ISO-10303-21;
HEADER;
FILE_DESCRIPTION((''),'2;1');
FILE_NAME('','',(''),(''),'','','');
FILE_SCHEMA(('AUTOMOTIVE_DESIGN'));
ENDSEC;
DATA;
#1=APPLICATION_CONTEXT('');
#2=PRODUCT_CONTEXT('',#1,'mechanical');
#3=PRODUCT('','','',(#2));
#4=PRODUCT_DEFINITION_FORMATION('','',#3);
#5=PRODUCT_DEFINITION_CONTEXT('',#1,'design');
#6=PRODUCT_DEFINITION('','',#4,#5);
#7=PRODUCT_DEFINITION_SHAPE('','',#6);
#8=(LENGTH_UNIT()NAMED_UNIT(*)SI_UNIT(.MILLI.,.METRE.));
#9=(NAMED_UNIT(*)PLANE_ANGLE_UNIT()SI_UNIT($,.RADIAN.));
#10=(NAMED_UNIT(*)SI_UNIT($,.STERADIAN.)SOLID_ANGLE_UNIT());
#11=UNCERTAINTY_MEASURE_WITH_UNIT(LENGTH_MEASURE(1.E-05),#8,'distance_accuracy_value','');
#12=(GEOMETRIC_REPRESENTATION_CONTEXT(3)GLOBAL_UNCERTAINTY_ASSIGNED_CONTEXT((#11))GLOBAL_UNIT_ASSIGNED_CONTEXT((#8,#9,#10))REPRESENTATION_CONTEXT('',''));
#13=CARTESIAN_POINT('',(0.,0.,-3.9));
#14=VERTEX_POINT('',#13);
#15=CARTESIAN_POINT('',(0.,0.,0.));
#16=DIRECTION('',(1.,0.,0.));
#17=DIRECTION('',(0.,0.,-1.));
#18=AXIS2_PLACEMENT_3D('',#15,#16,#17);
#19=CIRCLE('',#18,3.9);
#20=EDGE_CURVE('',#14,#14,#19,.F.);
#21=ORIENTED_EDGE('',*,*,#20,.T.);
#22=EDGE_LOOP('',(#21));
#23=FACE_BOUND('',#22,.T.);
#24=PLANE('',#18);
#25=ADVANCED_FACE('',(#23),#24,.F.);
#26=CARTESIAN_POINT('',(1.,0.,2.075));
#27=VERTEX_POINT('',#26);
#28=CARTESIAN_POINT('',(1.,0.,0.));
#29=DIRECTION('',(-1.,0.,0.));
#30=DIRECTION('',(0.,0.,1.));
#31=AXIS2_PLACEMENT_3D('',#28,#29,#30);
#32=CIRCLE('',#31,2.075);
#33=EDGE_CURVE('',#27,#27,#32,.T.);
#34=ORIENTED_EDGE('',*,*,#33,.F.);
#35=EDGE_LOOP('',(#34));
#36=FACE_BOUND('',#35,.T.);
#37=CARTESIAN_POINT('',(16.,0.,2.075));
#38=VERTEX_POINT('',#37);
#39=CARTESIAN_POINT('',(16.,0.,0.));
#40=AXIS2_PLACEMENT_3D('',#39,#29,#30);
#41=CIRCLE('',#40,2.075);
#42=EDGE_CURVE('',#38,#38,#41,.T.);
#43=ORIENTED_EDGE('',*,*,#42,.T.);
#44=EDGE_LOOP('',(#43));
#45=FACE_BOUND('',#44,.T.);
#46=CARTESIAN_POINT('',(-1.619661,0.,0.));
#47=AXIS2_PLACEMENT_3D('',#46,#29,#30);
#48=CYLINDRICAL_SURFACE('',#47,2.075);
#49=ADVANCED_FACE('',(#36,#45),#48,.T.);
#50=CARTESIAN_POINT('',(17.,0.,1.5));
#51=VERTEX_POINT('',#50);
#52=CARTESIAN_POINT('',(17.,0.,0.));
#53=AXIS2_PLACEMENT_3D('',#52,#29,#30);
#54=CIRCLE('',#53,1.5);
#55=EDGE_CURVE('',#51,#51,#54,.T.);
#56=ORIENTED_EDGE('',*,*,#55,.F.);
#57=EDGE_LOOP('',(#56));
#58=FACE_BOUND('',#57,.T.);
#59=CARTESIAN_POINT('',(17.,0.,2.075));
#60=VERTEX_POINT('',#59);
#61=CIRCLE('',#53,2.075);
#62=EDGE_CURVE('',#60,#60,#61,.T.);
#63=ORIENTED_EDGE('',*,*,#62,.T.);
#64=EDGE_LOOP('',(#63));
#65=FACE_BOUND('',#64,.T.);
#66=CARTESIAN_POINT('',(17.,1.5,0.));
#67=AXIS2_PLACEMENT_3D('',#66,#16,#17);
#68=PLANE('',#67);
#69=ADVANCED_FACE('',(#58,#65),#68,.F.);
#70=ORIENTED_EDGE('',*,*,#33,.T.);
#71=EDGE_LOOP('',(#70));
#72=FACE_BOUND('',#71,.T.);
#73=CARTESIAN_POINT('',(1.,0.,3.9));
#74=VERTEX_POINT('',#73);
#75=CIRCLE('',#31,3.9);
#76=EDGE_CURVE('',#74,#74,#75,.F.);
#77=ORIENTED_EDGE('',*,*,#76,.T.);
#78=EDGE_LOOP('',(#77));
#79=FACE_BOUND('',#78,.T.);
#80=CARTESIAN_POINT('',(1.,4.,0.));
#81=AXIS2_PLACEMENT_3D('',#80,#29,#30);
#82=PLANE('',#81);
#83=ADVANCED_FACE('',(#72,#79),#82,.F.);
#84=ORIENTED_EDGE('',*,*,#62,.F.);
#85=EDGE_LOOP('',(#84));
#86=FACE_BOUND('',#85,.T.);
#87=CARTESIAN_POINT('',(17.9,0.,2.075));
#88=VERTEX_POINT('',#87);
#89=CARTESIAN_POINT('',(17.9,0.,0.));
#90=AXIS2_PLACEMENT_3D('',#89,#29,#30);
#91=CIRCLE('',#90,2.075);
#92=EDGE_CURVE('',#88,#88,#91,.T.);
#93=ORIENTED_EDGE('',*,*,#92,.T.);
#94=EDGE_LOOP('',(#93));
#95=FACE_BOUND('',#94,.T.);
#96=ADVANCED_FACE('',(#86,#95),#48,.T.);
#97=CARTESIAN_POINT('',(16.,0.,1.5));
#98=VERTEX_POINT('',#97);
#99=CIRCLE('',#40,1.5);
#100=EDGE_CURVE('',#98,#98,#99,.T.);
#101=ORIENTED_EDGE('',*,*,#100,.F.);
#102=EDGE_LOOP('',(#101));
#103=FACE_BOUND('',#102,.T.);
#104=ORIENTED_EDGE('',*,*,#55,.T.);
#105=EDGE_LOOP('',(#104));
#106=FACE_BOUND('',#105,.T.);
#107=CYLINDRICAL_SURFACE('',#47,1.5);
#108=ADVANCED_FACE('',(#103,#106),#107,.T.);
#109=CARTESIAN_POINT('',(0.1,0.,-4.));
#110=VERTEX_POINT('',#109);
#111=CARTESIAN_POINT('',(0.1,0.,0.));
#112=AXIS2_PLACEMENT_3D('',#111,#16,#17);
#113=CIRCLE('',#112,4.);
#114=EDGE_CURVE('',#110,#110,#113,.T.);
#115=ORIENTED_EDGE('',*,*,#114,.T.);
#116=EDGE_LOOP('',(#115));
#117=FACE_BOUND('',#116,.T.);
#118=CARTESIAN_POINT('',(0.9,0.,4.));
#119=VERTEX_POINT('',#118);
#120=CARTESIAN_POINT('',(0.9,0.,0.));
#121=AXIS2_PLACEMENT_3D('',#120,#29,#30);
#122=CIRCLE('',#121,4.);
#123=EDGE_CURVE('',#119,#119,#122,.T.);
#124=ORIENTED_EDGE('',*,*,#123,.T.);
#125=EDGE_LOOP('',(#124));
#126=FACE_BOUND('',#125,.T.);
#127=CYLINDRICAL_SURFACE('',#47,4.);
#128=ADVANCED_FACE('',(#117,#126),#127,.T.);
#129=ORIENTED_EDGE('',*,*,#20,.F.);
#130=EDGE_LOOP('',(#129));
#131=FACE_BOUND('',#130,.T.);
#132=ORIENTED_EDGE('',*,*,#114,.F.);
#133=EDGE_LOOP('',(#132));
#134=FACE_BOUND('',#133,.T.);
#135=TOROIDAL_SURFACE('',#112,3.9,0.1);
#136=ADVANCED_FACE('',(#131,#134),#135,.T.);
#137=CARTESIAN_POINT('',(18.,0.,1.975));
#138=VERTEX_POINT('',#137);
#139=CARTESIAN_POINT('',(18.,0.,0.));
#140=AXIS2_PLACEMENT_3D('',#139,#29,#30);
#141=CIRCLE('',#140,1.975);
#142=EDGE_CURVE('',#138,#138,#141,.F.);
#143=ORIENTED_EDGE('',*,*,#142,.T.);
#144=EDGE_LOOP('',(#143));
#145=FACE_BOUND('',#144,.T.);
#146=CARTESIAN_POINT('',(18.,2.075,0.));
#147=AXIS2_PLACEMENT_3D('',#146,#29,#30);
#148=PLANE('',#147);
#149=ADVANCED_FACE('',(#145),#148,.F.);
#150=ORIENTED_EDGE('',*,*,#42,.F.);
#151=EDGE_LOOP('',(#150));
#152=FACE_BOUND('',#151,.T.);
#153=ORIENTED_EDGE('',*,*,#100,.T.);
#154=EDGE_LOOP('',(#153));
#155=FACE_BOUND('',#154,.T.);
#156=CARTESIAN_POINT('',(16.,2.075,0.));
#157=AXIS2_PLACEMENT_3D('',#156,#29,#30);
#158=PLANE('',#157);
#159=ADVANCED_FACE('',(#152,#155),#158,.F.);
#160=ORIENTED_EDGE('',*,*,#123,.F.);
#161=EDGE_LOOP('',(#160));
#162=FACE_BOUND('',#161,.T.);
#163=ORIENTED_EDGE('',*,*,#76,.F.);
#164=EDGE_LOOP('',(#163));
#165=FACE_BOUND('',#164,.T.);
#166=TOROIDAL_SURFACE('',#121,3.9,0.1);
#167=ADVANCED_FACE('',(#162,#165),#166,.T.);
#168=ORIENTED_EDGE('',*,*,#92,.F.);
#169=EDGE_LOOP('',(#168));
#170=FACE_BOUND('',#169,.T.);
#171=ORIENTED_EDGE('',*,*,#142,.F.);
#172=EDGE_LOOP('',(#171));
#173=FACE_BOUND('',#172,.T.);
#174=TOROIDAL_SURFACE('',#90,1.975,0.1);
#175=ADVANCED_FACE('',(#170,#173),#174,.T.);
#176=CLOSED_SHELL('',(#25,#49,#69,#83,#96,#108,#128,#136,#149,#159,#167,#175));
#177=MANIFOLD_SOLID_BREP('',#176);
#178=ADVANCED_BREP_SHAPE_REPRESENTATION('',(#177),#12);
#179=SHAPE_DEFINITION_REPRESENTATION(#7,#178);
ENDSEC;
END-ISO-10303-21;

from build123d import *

# Parameters (mm, degrees)
FILLET1_R = 0.1


with BuildPart() as part:
    # Sketch1 → Revolve1 (revolve)
    with BuildSketch(Plane.XY):
        Polygon((0, 0), (0, 4), (1, 4), (1, 2.075), (16, 2.075), (16, 1.5), (17, 1.5), (17, 2.075), (18, 2.075), (18, 0), align=None)
    revolve(axis=Axis((-1.619660583, 0, 0), (1, 0, 0)))

    # Fillet1
    fillet1_edges = [part.edges().sort_by_distance(p)[0] for p in [
        (1, -4, 0),
        (0, -4, 0),
        (18, -2.075, 0),
    ]]
    fillet(fillet1_edges, radius=FILLET1_R)


solid = part.part
